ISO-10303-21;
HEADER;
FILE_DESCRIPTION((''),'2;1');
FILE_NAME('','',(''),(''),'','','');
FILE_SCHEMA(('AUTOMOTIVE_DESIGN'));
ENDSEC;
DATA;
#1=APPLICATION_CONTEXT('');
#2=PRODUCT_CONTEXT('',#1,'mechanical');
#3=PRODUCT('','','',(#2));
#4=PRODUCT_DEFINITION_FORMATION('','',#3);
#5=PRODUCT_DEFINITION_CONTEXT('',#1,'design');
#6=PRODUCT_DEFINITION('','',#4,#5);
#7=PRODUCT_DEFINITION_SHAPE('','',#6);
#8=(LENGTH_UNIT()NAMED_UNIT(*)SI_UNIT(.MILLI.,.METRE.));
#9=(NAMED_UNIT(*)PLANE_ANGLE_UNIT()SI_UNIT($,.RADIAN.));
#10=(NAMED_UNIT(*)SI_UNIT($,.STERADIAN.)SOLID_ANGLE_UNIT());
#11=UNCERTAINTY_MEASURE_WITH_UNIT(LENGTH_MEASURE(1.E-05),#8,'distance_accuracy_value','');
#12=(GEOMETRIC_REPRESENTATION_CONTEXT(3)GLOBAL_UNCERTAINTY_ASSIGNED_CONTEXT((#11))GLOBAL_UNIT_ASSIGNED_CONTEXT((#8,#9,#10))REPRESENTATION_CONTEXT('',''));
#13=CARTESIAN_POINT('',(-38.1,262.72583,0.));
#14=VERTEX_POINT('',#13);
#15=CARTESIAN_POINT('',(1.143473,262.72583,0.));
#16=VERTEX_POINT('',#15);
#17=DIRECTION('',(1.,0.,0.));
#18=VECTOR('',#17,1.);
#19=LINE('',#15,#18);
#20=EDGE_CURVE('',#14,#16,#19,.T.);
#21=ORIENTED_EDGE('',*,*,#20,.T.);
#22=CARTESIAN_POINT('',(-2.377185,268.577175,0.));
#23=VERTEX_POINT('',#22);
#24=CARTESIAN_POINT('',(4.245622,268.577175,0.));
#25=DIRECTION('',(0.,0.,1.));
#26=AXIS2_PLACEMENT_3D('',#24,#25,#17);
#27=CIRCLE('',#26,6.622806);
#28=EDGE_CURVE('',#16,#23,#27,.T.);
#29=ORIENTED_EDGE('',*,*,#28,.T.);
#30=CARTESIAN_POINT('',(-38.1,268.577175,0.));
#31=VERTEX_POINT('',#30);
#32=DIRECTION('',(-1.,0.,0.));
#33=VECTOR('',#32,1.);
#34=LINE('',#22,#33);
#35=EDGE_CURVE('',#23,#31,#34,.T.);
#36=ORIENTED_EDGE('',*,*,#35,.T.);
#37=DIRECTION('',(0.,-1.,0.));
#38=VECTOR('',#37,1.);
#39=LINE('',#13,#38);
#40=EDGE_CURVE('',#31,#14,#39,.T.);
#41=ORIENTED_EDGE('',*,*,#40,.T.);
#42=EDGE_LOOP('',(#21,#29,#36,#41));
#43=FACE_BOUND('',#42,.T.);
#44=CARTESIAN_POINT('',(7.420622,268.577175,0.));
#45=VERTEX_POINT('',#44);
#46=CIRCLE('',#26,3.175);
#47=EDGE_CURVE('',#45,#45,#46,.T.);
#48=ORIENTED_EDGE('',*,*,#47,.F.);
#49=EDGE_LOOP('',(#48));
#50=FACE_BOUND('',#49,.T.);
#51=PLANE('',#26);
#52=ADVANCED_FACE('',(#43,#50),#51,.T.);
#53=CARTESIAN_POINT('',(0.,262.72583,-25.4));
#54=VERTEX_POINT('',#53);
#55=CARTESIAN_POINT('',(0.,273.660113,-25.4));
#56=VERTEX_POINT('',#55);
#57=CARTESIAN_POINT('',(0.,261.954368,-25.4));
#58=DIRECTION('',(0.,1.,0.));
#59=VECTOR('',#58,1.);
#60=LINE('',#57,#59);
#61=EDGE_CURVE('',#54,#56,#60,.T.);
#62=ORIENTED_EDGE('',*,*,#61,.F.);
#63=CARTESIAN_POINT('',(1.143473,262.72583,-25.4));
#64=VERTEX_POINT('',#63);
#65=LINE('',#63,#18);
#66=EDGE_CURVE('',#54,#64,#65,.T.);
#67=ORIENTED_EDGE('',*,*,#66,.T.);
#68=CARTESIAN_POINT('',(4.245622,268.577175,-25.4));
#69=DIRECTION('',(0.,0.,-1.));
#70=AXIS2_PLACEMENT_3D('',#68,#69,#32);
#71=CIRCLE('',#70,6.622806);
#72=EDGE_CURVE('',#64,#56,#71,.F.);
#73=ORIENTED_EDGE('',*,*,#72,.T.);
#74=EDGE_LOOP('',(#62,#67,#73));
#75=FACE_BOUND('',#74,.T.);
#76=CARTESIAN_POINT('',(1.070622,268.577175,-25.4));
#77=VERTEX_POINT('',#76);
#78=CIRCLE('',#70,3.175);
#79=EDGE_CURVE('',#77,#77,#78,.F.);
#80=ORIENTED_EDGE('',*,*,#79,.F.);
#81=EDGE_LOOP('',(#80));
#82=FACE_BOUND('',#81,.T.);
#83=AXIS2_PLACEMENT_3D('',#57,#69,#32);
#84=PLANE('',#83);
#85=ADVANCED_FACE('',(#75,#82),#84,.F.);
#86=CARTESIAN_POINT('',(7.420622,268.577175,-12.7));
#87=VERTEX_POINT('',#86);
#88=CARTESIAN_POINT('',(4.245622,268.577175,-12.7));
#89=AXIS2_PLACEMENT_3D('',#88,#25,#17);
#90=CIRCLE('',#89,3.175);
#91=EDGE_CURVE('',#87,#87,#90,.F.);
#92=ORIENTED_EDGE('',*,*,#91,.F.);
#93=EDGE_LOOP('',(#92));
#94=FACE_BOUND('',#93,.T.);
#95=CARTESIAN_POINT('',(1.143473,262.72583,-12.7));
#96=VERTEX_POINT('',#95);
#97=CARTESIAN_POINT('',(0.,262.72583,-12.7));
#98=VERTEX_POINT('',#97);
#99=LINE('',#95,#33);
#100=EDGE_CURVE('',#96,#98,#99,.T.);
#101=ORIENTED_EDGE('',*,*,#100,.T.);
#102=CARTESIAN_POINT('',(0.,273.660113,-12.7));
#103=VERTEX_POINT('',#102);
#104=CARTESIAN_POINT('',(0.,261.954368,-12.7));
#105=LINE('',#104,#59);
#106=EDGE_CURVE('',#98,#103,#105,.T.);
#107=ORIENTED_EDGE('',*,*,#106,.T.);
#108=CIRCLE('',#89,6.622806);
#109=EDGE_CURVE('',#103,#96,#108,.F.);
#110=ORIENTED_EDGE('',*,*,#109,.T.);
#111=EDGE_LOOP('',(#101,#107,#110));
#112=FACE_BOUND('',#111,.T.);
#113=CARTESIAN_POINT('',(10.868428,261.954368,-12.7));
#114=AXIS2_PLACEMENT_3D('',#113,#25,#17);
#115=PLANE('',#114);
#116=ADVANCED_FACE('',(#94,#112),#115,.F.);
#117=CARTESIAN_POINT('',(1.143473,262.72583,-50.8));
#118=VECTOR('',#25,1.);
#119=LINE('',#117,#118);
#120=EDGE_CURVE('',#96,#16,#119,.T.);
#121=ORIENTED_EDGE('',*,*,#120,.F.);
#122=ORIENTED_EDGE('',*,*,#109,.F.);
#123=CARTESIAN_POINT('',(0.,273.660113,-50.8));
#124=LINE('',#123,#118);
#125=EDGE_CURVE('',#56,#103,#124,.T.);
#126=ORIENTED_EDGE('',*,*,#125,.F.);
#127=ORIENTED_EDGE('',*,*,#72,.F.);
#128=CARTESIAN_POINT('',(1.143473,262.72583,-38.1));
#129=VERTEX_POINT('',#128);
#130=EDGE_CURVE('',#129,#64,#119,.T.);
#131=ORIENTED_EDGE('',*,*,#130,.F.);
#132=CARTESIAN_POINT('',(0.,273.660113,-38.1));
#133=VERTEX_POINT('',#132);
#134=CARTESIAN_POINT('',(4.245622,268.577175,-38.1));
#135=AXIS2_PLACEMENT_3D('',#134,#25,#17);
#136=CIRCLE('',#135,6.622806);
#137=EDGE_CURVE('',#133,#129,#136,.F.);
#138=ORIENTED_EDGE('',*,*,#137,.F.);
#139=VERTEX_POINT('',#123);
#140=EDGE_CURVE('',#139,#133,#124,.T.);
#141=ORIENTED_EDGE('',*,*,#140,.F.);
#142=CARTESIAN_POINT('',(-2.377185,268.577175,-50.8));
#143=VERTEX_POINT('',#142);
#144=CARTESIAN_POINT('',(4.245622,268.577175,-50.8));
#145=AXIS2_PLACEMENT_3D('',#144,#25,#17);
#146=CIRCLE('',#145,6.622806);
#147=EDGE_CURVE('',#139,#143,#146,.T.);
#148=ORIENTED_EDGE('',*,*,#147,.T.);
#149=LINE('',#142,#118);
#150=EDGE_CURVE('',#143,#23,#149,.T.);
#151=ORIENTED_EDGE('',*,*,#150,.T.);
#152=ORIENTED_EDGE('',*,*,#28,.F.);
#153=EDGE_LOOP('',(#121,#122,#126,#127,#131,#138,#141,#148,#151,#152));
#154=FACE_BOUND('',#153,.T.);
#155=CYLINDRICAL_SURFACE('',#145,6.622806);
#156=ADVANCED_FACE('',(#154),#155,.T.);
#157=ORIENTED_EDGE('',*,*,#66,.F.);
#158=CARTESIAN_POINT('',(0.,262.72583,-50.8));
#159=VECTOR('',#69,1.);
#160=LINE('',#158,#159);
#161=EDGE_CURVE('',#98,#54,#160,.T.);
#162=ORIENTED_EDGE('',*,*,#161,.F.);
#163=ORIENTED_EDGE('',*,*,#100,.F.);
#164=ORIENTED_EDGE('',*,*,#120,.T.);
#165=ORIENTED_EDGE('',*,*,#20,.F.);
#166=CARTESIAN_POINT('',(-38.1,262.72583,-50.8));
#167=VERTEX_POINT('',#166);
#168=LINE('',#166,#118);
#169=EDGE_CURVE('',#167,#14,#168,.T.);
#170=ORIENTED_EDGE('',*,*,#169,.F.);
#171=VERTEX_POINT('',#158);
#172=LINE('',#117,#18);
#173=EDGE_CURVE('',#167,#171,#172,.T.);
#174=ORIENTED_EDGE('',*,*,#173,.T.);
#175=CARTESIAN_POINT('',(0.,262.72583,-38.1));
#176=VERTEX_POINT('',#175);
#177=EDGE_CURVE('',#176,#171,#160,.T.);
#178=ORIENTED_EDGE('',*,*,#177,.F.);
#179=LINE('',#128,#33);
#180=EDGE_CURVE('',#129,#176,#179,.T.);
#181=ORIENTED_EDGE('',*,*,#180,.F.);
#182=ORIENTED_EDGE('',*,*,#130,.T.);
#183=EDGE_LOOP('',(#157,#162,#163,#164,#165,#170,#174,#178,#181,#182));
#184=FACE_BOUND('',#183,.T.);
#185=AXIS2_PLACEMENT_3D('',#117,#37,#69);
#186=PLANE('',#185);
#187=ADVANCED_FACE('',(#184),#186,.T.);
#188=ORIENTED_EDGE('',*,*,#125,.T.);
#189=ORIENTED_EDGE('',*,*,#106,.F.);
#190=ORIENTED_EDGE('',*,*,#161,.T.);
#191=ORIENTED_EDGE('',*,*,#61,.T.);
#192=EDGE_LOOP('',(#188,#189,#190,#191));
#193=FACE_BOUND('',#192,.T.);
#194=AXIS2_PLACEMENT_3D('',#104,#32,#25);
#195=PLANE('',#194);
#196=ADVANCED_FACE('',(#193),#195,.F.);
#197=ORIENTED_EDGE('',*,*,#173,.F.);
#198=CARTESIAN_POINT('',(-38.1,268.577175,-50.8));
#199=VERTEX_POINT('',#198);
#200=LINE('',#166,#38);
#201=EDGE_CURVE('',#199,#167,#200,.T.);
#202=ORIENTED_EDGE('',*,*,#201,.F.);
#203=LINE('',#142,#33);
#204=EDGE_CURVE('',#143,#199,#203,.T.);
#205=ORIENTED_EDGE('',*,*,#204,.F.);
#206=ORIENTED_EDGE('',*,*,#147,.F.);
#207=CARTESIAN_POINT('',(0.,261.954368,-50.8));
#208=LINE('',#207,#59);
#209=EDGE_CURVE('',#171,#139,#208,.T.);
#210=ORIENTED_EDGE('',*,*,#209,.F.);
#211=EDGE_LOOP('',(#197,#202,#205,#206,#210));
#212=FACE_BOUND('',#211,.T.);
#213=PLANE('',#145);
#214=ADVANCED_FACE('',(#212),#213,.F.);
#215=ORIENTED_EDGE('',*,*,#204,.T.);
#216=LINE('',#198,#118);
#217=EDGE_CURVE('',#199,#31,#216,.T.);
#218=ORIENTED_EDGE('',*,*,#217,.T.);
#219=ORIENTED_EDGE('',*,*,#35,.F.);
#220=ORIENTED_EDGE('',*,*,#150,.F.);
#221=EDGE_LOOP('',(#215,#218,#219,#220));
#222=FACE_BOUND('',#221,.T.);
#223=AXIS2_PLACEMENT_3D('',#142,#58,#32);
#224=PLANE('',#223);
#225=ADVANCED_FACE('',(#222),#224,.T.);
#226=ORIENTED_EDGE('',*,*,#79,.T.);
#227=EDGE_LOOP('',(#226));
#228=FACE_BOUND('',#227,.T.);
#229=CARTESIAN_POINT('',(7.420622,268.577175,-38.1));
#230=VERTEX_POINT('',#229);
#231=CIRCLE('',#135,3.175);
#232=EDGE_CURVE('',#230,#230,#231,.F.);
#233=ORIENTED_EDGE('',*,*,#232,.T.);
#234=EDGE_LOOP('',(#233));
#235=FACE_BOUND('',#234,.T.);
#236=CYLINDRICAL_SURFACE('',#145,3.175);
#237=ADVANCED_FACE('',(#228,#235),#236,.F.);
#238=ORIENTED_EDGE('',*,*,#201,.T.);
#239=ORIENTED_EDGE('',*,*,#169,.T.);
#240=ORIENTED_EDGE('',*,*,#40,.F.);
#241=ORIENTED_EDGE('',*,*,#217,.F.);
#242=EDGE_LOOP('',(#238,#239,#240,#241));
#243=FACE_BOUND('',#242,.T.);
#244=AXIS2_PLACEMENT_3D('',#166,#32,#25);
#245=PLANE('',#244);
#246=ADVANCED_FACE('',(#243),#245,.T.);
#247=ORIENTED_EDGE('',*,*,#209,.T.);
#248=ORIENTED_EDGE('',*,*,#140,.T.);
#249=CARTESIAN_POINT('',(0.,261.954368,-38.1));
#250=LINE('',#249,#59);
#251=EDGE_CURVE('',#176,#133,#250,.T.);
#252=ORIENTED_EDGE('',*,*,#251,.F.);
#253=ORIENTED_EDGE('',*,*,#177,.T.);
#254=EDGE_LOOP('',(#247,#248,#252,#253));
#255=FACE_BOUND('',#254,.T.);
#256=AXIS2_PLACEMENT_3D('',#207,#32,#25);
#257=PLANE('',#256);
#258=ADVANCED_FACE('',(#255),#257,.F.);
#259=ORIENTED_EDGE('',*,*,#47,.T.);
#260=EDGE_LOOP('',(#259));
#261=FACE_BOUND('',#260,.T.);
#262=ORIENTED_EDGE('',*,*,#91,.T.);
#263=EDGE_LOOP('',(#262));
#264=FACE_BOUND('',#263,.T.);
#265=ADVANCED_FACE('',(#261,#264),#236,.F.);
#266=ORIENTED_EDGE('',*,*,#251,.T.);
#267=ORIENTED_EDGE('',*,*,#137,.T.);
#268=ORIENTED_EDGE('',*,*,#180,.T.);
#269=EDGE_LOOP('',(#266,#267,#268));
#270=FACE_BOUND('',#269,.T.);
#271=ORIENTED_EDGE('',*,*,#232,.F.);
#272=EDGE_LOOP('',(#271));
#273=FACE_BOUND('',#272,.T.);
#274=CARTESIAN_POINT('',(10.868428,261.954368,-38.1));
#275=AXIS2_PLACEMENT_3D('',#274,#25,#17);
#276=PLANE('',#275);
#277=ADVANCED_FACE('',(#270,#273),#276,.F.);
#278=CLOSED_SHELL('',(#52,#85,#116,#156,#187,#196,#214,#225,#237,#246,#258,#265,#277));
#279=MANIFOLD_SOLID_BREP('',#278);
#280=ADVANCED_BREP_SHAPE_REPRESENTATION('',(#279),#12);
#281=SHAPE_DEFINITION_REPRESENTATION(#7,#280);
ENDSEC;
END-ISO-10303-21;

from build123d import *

# Parameters (mm, degrees)
SKETCH1_R               = 3.175
BOSS_EXTRUDE1_DEPTH     = 50.8
CUT_EXTRUDE1_DEPTH      = 64.844432524
CUT_EXTRUDE1_DEPTH_BACK = 64.844432524
SKETCH2_W               = 10.868428171
SKETCH2_H               = 12.7
SKETCH2_H_2             = 12.700000009


with BuildPart() as part:
    # Sketch1 → Boss-Extrude1 (new body)
    with BuildSketch(Plane.XY):
        with BuildLine():
            Line((1.143472567, 262.725830005), (-38.1, 262.725830005))
            Line((-38.1, 262.725830005), (-38.1, 268.577174682))
            Line((-38.1, 268.577174682), (-2.377184588, 268.577174682))
            ThreePointArc((-2.377184588, 268.577174682), (9.92041245, 271.991602208), (1.143472567, 262.725830005))
        make_face()
        with Locations((4.245621792, 268.577174682)):
            Circle(SKETCH1_R, mode=Mode.SUBTRACT)
    extrude(amount=-BOSS_EXTRUDE1_DEPTH)

    # Sketch2 → Cut-Extrude1 (cut, two sides: drawn at the far end of the back side and taken through both)
    with BuildSketch(Plane(origin=(0, 268.577174682, 0), x_dir=(1, 0, 0), z_dir=(0, 1, 0)).offset(-CUT_EXTRUDE1_DEPTH_BACK)):
        with Locations((5.434214086, 19.05)):
            Rectangle(SKETCH2_W, SKETCH2_H)
        with Locations((5.434214086, 44.449999996)):
            Rectangle(SKETCH2_W, SKETCH2_H_2)
    extrude(amount=CUT_EXTRUDE1_DEPTH + CUT_EXTRUDE1_DEPTH_BACK, mode=Mode.SUBTRACT)


solid = part.part
